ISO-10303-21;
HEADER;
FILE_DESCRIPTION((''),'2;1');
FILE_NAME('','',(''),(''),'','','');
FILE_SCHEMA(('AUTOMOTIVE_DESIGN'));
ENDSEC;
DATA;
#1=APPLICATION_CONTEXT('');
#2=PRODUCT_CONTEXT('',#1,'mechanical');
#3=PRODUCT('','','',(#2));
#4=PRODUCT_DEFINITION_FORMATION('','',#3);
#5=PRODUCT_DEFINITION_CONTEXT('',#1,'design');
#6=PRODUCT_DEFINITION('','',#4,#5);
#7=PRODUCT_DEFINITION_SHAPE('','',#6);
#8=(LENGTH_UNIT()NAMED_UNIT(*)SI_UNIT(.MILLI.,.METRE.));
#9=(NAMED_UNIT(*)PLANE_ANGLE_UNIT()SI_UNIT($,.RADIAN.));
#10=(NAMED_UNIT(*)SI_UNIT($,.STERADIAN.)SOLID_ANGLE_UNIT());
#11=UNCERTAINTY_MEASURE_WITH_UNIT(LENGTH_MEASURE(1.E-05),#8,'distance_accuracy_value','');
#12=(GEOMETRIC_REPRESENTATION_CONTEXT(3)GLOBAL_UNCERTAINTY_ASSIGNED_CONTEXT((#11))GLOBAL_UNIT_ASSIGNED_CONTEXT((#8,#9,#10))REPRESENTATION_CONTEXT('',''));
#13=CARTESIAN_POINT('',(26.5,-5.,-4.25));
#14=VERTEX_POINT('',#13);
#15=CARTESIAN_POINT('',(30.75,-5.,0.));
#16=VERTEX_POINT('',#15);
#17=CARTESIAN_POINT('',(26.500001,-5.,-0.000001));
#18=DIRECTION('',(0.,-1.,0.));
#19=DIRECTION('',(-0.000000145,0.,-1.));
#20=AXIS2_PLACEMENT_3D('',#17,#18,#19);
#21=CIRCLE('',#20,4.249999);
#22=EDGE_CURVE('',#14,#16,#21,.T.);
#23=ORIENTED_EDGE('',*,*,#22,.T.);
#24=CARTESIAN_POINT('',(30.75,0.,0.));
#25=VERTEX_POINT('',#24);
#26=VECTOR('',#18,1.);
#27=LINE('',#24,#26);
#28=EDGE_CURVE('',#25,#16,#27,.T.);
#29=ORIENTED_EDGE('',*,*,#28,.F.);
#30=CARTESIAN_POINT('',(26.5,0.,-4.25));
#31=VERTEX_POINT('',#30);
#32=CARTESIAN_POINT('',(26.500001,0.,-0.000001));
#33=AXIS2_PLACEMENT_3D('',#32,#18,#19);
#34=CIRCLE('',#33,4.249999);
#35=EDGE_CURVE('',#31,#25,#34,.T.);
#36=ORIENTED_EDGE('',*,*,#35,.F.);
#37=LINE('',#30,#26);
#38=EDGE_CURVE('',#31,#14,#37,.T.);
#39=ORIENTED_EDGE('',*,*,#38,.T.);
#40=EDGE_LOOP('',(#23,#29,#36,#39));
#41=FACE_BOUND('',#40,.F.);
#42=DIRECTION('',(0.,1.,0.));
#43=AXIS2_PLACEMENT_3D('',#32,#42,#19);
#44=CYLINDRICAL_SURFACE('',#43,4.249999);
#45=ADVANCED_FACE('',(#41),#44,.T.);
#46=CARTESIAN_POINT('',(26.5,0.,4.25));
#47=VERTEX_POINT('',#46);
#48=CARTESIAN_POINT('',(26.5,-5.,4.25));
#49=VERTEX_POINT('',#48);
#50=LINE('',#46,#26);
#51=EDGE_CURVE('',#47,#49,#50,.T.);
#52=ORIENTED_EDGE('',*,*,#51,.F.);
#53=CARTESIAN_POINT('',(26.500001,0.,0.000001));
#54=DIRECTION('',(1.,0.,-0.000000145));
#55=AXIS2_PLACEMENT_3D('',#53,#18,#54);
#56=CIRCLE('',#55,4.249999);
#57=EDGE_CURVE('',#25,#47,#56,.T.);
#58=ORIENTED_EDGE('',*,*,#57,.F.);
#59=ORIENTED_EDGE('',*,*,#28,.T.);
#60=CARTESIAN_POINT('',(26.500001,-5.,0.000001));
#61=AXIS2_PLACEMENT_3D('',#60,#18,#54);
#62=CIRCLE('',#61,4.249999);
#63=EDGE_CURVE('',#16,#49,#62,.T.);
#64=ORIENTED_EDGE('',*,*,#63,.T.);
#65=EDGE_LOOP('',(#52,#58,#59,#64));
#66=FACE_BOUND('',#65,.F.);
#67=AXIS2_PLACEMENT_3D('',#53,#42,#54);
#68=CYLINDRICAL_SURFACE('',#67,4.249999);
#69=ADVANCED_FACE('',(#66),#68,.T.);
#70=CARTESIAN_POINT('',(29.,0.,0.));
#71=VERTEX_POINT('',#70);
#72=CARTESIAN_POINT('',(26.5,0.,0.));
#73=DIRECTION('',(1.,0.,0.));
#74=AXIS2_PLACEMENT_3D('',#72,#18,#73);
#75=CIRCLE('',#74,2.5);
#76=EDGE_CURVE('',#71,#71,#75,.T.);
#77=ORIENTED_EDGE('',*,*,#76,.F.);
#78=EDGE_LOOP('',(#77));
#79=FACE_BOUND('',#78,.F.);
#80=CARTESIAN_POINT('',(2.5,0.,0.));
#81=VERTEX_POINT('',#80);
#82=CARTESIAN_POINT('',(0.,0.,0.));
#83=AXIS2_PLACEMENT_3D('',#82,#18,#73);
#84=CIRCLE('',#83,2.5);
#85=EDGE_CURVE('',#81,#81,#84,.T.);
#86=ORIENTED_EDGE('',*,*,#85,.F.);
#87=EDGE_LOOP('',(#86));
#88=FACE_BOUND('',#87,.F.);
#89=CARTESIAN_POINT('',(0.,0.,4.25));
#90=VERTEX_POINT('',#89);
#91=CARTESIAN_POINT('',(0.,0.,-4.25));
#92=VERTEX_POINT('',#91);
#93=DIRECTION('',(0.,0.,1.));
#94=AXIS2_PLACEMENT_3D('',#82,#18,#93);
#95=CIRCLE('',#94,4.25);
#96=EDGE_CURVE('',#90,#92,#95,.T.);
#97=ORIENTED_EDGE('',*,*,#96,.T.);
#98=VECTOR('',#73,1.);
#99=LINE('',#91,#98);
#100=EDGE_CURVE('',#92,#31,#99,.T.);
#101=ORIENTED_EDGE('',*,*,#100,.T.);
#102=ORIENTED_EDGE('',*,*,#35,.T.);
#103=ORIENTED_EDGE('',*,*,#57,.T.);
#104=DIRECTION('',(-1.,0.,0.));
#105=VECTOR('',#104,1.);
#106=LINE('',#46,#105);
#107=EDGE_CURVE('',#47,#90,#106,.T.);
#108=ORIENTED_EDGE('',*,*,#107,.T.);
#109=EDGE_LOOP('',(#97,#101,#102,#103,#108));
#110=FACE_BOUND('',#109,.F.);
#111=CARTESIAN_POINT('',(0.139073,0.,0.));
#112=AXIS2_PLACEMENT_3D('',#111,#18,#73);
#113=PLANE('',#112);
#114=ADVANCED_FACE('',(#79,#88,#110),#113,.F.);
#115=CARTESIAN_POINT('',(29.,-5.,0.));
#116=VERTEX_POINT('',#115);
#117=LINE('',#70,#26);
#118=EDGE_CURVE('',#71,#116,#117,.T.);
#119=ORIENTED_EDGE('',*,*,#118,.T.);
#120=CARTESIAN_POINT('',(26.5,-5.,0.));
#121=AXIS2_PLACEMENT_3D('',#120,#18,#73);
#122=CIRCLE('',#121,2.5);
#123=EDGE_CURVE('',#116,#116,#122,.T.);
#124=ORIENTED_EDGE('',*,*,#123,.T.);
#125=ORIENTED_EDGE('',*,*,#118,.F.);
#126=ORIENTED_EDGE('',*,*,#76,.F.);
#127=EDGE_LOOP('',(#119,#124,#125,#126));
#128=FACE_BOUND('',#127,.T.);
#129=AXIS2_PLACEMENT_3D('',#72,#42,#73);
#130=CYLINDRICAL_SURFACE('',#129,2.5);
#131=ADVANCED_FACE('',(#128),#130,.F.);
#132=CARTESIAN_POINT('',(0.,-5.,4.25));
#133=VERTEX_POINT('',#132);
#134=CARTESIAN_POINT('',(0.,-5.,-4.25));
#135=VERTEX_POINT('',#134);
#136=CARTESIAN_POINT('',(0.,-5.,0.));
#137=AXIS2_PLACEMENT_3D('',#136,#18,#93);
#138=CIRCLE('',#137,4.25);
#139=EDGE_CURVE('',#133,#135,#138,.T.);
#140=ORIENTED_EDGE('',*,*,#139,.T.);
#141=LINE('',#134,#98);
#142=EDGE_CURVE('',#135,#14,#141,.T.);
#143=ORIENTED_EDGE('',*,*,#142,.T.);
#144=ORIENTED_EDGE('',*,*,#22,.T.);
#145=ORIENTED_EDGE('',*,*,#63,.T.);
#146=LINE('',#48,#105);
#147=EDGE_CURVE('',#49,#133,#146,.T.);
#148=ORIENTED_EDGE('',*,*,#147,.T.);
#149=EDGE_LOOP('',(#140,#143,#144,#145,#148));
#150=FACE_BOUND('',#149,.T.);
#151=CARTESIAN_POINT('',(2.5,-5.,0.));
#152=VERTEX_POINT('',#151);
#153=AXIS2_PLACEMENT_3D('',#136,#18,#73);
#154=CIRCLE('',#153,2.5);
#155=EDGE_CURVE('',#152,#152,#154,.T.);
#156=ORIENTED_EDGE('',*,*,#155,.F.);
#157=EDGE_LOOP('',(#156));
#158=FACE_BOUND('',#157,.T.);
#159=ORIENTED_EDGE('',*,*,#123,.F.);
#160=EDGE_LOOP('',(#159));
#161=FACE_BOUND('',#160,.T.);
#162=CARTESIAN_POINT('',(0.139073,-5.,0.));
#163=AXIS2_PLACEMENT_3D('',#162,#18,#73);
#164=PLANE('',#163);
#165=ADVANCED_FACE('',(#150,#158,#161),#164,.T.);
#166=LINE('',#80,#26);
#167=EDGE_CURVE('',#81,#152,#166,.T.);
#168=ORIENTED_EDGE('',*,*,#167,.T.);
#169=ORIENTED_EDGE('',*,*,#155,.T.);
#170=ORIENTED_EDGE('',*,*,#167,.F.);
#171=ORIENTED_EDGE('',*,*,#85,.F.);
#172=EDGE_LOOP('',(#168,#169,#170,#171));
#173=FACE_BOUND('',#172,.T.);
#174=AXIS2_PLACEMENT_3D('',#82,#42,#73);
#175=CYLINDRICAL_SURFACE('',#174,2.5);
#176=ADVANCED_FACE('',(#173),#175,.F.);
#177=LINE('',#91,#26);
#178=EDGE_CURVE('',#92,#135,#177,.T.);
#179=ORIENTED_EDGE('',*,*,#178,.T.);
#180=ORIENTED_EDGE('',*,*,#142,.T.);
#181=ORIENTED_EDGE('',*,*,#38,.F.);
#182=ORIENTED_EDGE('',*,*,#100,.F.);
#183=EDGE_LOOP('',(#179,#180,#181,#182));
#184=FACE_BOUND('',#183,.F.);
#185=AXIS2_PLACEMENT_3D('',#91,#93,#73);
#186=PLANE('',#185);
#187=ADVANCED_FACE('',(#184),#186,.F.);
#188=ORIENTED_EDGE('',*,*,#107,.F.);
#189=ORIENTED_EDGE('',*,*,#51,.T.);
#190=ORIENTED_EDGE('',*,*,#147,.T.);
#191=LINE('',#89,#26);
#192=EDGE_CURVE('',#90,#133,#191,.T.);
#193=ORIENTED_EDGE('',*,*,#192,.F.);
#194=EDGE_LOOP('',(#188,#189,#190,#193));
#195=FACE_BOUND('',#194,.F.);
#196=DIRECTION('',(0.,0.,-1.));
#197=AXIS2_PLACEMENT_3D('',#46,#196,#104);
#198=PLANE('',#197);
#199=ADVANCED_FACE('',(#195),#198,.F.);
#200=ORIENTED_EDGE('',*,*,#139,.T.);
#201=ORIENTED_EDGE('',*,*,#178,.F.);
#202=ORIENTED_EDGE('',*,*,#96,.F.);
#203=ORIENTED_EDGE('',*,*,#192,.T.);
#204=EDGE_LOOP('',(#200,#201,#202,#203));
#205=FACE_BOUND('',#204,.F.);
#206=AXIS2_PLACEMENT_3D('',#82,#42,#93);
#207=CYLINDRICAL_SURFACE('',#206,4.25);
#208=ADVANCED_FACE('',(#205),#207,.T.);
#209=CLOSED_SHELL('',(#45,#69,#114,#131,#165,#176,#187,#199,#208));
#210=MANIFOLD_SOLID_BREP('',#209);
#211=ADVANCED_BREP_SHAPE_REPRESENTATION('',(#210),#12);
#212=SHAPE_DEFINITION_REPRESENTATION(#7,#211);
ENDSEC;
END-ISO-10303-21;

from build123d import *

# Parameters (mm, degrees)
F0_R     = 2.5
F1_DEPTH = 5


with BuildPart() as f1:
    # F0 (on Front) → F1 (new body)
    with BuildSketch(Plane.XZ):
        with BuildLine():
            ThreePointArc((0, -4.25), (3.005204, -3.005204), (4.25, 0))
            ThreePointArc((4.25, 0), (3.005204, 3.005204), (0, 4.25))
            ThreePointArc((0, 4.25), (-4.25, 0), (0, -4.25))
        make_face()
        Circle(F0_R, mode=Mode.SUBTRACT)
        with BuildLine():
            ThreePointArc((30.75, 0), (29.505204, 3.005204), (26.5, 4.25))
            ThreePointArc((26.5, 4.25), (22.25, 0), (26.5, -4.25))
            ThreePointArc((26.5, -4.25), (29.505204, -3.005204), (30.75, 0))
        make_face()
        with Locations((26.5, 0)):
            Circle(F0_R, mode=Mode.SUBTRACT)
        with BuildLine():
            ThreePointArc((0, 4.25), (3.005204, 3.005204), (4.25, 0))
            ThreePointArc((4.25, 0), (3.005204, -3.005204), (0, -4.25))
            Line((0, -4.25), (26.5, -4.25))
            ThreePointArc((26.5, -4.25), (22.25, 0), (26.5, 4.25))
            Line((26.5, 4.25), (0, 4.25))
        make_face()
    extrude(amount=F1_DEPTH)


solid = f1.part
